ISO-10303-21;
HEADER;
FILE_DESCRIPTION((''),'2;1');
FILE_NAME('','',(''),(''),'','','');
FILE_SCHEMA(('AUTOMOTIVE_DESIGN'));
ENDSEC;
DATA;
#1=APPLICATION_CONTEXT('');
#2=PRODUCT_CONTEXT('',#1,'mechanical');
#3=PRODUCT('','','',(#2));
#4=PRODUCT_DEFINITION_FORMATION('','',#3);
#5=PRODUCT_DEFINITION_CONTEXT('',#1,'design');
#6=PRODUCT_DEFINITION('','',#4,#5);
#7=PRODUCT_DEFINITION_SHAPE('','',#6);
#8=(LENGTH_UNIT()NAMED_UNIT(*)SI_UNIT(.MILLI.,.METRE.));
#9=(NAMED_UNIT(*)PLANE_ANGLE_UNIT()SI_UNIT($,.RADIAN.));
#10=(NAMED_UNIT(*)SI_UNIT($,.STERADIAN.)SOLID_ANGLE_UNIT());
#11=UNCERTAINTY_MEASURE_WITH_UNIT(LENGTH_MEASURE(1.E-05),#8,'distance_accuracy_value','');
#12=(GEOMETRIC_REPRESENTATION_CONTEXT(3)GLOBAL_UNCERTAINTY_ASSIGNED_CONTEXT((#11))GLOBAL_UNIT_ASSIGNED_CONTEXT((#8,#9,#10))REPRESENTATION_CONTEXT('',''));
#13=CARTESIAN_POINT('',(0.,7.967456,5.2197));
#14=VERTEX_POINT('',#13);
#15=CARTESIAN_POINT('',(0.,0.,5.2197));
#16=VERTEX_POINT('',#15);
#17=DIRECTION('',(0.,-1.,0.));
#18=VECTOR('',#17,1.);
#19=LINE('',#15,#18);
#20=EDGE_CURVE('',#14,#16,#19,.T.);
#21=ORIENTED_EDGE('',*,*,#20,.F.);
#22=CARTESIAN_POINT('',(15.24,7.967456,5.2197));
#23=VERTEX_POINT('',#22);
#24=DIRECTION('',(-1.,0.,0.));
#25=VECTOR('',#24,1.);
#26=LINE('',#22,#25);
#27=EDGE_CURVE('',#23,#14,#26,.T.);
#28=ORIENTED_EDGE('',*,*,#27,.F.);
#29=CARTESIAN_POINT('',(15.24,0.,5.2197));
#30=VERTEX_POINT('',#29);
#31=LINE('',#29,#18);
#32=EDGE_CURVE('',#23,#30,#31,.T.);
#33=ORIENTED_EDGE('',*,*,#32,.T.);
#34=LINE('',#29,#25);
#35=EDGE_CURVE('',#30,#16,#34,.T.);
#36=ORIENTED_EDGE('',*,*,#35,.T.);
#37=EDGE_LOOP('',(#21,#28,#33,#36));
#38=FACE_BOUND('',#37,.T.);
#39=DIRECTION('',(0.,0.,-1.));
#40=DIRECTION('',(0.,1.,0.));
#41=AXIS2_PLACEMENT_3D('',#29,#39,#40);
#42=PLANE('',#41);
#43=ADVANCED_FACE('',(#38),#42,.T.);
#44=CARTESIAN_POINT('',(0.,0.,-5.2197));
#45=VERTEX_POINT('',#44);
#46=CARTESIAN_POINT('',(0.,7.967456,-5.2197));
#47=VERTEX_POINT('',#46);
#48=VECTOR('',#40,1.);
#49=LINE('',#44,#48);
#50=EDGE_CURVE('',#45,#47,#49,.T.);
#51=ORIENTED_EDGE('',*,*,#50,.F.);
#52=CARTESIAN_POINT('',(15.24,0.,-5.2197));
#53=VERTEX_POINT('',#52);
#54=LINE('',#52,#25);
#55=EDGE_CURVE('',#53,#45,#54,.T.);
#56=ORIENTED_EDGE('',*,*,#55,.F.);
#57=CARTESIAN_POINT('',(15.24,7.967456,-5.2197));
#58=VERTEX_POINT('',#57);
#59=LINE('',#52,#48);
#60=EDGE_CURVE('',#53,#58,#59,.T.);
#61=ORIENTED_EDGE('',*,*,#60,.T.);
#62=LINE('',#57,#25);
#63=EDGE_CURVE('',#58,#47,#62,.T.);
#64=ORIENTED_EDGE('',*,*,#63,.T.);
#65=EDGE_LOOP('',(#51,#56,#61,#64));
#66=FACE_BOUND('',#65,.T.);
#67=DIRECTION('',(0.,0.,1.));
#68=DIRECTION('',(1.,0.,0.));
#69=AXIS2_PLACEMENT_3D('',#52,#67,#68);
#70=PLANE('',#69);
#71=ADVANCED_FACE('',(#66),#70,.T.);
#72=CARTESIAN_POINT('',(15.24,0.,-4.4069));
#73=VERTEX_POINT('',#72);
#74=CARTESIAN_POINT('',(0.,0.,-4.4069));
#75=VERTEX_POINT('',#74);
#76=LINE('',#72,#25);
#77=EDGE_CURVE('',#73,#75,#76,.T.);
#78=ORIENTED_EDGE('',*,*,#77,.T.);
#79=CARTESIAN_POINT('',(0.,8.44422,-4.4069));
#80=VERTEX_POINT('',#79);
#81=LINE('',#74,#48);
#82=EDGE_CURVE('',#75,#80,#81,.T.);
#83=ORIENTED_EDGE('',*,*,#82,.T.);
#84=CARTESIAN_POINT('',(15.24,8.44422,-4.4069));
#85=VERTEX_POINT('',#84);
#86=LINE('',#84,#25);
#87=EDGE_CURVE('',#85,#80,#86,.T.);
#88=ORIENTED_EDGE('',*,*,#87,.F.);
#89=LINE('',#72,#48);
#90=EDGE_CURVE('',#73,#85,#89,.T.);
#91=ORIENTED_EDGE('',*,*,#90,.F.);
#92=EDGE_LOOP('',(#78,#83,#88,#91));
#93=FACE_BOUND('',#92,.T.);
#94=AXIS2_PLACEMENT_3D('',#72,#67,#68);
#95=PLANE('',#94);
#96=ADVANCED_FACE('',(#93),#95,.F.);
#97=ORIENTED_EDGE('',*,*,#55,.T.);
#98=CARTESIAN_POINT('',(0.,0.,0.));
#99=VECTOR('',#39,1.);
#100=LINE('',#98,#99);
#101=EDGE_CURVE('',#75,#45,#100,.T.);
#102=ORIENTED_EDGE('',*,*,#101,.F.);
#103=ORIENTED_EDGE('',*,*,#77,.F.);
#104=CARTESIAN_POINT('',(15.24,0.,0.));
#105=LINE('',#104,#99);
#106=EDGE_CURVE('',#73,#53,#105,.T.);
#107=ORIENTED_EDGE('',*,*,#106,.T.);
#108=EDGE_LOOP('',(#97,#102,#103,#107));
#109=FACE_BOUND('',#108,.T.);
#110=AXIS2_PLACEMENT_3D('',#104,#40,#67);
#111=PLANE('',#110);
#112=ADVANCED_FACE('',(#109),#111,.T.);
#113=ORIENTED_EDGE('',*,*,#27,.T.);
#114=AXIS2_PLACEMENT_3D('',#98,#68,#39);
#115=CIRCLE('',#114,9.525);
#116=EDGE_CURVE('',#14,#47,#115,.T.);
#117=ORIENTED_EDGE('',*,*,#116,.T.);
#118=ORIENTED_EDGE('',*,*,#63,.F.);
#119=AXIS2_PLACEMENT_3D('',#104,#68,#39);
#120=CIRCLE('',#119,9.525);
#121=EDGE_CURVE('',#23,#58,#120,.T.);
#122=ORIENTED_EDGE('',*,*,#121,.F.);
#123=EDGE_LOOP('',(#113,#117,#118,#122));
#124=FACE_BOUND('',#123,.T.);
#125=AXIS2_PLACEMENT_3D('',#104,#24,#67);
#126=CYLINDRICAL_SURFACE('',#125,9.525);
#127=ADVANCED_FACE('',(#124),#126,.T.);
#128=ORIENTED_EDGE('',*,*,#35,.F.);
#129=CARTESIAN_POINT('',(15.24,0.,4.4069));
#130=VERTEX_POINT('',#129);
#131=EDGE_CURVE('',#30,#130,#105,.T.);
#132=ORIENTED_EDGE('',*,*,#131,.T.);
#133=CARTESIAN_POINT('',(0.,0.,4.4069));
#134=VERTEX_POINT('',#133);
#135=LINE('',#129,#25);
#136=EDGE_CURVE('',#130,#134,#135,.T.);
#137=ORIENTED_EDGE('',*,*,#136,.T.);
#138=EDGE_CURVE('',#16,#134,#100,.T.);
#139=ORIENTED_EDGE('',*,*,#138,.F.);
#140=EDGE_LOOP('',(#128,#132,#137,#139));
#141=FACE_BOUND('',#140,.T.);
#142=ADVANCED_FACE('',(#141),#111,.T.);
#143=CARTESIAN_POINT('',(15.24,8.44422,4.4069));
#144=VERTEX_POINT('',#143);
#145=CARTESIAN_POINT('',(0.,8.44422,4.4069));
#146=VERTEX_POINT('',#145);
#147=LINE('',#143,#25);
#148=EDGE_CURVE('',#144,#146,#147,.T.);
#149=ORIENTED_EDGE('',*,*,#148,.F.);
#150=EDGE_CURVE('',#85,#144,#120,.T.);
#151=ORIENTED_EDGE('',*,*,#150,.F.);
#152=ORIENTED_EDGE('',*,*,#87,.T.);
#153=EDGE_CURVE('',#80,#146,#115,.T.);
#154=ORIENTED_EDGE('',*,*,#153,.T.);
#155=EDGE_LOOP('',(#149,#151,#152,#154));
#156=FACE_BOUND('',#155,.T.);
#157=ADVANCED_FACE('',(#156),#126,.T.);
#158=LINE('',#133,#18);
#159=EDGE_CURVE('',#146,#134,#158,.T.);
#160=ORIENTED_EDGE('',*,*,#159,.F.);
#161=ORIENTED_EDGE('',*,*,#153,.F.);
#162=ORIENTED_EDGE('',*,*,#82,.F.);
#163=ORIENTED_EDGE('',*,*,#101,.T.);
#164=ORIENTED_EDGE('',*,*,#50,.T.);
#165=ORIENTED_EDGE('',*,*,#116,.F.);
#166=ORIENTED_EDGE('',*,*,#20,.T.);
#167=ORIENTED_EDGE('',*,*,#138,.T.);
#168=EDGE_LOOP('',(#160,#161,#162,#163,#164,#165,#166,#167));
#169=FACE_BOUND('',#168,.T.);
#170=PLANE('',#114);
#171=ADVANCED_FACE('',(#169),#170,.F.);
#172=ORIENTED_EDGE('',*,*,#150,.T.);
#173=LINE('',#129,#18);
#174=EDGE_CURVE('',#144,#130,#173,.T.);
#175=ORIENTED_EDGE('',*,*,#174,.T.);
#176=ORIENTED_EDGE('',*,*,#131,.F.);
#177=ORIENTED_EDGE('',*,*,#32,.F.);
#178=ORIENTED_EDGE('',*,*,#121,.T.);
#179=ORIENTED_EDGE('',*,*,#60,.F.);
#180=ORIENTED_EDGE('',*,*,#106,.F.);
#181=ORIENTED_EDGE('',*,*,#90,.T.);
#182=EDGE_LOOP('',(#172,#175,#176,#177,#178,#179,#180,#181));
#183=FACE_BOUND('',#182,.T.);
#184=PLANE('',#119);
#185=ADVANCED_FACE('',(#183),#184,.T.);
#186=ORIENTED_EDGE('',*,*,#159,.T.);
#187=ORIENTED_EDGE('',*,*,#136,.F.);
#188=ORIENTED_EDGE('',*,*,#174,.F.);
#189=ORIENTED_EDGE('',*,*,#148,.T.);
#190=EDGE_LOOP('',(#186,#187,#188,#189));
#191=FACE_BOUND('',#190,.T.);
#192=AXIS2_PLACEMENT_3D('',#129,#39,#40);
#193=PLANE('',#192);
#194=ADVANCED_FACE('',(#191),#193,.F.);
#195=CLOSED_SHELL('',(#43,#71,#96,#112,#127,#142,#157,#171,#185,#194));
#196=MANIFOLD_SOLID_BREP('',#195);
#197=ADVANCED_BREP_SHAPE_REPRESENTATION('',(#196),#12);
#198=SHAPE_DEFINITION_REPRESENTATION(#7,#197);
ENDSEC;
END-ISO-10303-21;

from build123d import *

# Parameters (mm, degrees)
BOSS_EXTRUDE1_DEPTH = 15.24


with BuildPart() as part:
    # Sketch1 → Boss-Extrude1 (new body)
    with BuildSketch(Plane(origin=(0, 0, 0), x_dir=(0, 0, -1), z_dir=(1, 0, 0))):
        with BuildLine():
            Line((-4.4069, 8.444220354), (-4.4069, 0))
            Line((-4.4069, 0), (4.4069, 0))
            Line((4.4069, 0), (4.4069, 8.444220354))
            ThreePointArc((4.4069, 8.444220354), (0, 9.525), (-4.4069, 8.444220354))
        make_face()
        with BuildLine():
            Line((4.4069, 0), (-4.4069, 0))
            Line((-4.4069, 0), (-5.2197, 0))
            Line((-5.2197, 0), (-5.2197, 7.967456113))
            ThreePointArc((-5.2197, 7.967456113), (-4.528133307, -8.379834948), (9.525, 0))
            ThreePointArc((9.525, 0), (8.379834948, 4.528133307), (5.2197, 7.967456113))
            Line((5.2197, 7.967456113), (5.2197, 0))
            Line((5.2197, 0), (4.4069, 0))
        make_face()
    extrude(amount=BOSS_EXTRUDE1_DEPTH)


solid = part.part
